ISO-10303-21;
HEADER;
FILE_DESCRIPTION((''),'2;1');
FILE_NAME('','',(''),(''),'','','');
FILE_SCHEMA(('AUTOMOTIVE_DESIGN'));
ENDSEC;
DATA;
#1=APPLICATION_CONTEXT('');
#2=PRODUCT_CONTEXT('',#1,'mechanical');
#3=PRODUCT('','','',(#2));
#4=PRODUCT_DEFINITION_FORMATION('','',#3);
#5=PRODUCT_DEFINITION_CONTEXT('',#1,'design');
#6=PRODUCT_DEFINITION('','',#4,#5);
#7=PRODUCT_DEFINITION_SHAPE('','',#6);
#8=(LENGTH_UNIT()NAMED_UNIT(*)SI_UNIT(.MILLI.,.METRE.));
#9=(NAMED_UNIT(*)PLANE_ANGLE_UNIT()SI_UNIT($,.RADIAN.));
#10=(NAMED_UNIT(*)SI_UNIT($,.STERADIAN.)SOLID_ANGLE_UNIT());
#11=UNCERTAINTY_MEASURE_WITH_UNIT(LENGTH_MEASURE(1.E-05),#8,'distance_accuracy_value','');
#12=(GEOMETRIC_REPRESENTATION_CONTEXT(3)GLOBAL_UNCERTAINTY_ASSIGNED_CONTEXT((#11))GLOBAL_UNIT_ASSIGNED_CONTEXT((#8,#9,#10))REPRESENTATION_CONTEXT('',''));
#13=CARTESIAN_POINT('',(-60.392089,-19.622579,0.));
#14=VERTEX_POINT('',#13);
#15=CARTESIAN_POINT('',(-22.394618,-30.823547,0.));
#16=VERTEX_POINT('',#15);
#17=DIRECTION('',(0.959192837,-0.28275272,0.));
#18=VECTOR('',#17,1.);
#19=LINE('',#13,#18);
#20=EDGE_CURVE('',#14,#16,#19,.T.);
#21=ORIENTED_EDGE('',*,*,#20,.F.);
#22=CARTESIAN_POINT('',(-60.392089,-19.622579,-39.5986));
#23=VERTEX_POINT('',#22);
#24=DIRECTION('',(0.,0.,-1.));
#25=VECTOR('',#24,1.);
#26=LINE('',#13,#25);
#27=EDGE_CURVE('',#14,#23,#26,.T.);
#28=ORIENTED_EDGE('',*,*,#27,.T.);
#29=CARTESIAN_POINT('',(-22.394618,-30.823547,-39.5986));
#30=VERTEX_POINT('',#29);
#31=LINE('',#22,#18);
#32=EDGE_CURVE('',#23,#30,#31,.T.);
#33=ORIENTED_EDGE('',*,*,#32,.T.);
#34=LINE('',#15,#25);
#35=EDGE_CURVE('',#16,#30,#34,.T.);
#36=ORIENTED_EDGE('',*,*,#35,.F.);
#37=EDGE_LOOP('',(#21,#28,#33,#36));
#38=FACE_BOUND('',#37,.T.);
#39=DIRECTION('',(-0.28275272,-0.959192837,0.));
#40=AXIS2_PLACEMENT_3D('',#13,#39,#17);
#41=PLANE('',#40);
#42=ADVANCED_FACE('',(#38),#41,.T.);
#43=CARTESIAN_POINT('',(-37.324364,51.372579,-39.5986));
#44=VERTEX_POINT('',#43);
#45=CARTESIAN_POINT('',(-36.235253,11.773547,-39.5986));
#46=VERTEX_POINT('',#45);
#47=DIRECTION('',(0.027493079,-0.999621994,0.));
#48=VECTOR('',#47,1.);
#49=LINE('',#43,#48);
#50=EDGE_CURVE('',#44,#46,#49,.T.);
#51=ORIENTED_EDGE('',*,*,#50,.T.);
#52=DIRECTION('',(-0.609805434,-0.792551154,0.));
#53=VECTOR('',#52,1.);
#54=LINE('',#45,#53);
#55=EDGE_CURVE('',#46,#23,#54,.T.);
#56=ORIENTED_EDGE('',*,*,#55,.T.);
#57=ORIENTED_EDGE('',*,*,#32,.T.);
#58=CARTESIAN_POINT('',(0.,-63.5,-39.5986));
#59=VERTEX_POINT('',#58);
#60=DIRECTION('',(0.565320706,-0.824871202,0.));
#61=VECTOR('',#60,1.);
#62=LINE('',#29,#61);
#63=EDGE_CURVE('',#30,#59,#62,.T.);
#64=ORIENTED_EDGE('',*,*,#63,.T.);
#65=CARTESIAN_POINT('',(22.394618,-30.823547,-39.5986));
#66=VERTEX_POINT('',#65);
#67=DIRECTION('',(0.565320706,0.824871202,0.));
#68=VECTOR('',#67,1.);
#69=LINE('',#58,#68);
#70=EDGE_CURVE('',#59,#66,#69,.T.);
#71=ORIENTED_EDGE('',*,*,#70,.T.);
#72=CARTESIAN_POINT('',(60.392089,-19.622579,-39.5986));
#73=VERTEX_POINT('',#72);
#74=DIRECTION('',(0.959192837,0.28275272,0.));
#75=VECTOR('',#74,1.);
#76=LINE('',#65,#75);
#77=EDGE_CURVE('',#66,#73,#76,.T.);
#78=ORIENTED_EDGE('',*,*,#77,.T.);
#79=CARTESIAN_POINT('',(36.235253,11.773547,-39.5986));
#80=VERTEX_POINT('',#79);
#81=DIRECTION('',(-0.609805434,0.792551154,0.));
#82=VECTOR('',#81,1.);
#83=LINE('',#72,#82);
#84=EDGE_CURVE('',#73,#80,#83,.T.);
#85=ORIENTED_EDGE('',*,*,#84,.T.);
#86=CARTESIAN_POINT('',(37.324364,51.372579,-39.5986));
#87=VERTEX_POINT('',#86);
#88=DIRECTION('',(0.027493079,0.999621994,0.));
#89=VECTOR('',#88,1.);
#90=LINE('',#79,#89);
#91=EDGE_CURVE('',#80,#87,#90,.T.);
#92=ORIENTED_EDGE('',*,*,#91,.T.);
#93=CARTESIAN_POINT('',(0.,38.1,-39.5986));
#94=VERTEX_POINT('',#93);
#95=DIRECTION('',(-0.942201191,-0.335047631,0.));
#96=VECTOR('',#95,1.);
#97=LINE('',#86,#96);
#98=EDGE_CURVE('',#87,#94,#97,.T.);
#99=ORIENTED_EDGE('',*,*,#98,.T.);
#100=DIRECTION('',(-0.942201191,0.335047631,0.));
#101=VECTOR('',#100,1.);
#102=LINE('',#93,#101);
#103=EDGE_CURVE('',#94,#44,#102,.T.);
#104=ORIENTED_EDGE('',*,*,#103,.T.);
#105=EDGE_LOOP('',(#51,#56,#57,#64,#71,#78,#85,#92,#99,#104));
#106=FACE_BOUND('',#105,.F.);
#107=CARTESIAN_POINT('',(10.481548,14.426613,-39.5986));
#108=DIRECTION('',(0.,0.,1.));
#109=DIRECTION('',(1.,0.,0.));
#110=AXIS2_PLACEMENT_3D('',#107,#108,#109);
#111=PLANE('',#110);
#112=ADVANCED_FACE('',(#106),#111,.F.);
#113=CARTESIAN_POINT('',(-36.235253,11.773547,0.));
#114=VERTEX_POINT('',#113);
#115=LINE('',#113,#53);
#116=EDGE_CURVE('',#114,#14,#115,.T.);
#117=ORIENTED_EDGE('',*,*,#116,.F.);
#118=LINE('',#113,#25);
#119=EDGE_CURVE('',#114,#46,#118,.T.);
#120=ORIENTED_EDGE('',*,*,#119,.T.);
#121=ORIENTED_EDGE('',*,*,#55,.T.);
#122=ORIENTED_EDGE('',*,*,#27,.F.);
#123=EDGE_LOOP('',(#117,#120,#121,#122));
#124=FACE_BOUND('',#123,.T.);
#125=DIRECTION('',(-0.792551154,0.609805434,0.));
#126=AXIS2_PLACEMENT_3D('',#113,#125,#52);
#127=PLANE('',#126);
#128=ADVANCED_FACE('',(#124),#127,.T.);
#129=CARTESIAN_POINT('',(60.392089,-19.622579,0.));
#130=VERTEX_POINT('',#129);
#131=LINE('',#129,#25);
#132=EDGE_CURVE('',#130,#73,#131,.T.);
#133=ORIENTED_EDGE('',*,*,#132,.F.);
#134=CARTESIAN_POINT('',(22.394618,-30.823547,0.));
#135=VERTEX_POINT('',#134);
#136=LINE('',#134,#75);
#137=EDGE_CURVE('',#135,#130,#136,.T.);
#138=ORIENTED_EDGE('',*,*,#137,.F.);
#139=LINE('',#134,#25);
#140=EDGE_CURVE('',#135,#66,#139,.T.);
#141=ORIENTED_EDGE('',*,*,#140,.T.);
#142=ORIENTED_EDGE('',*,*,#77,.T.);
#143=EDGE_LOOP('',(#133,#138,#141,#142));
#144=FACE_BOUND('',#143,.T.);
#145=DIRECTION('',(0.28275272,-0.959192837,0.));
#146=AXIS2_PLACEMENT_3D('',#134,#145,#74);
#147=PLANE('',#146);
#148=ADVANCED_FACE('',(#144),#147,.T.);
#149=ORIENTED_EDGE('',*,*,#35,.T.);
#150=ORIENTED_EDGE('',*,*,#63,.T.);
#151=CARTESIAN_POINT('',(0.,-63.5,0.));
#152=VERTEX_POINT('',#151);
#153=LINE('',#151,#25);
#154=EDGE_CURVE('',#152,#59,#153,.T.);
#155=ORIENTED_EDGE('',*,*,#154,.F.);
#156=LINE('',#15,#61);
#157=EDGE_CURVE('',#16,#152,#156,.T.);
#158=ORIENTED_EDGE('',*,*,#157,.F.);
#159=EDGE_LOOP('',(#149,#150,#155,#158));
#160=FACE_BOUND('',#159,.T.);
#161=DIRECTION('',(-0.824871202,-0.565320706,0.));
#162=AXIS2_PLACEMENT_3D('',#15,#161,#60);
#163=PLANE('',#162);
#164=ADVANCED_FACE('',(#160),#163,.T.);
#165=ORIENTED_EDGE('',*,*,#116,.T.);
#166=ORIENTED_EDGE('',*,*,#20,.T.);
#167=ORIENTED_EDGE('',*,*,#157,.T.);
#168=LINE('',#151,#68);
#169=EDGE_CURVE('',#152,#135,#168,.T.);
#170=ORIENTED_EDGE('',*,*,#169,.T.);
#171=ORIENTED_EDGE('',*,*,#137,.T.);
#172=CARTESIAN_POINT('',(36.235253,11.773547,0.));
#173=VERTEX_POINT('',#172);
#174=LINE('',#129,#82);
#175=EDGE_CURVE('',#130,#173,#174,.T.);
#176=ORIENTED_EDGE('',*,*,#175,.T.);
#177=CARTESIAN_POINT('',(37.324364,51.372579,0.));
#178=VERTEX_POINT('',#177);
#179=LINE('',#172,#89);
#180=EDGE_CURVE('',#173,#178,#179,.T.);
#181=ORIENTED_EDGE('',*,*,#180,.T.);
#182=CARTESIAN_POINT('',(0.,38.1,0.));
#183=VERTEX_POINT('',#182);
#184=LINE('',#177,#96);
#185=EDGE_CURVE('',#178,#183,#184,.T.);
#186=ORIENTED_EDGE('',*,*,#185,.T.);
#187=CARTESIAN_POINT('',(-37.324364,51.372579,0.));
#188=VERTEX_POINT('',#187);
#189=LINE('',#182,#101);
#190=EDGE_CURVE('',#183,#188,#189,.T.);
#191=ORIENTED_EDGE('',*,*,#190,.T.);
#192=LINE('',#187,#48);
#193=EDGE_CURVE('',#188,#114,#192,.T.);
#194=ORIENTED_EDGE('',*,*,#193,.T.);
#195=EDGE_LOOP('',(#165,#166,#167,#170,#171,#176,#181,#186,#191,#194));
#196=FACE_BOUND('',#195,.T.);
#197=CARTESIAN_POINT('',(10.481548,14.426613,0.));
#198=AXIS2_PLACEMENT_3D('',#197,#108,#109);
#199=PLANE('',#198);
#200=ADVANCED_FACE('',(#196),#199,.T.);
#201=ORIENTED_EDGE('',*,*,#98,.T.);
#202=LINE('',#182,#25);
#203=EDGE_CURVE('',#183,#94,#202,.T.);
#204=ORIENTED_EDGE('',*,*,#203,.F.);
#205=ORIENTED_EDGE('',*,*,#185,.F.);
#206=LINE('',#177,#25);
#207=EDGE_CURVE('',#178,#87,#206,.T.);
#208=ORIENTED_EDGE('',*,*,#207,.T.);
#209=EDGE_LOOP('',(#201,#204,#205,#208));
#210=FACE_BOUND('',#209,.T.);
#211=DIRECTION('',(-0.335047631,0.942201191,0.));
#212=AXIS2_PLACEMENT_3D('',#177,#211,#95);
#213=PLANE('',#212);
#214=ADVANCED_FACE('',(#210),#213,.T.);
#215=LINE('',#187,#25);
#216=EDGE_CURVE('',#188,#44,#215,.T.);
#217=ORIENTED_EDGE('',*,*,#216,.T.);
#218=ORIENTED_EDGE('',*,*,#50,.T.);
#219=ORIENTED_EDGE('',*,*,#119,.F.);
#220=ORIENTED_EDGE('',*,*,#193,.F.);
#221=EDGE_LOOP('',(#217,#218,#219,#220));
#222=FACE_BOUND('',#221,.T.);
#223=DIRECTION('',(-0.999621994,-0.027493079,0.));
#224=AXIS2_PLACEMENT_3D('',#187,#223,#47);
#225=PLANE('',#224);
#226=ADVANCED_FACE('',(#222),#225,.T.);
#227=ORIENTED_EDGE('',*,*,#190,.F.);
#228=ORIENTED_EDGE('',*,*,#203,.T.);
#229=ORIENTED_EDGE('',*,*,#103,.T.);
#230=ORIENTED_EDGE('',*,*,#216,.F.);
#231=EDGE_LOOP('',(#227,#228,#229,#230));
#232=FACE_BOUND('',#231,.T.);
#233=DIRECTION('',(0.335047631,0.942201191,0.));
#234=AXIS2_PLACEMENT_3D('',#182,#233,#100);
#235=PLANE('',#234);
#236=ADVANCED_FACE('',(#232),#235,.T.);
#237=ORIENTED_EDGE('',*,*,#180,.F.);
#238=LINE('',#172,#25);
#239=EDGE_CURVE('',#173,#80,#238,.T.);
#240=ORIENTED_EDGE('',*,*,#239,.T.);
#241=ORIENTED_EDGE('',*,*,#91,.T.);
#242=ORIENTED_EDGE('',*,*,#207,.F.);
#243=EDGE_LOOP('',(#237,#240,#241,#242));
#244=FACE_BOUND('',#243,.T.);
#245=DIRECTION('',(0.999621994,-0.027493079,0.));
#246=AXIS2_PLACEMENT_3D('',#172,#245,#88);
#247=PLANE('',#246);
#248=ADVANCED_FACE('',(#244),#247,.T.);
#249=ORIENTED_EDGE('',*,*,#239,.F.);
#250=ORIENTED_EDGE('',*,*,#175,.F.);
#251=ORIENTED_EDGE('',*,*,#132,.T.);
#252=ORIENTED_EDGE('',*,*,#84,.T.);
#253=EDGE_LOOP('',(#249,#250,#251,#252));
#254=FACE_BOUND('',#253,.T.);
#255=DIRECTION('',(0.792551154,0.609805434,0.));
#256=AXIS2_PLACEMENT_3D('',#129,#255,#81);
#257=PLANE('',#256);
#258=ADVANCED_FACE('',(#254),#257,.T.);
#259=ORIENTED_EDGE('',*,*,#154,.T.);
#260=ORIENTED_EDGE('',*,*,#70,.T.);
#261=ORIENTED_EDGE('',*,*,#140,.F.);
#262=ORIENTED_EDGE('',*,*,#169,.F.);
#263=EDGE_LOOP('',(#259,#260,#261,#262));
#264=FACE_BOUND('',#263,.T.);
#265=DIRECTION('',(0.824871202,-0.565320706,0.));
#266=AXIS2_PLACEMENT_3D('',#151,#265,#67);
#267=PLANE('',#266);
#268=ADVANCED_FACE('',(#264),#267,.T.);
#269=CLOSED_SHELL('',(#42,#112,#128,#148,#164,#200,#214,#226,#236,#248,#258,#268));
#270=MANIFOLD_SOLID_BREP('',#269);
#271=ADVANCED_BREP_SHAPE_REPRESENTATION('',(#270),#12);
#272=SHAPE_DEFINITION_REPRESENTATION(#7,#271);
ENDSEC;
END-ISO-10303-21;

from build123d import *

# Parameters (mm, degrees)
F1_DEPTH = 39.5986


with BuildPart() as f1:
    # F0 (on Top) → F1 (new body)
    with BuildSketch(Plane.XY):
        Polygon((36.235253, 11.773547), (37.324364, 51.372579), (0, 38.1), (-37.324364, 51.372579), (-36.235253, 11.773547), (0, 0), (22.394618, -30.823547), (60.392089, -19.622579), align=None)
        Polygon((-22.394618, -30.823547), (0, -63.5), (22.394618, -30.823547), (0, 0), (-36.235253, 11.773547), (-60.392089, -19.622579), align=None)
    extrude(amount=-F1_DEPTH)


solid = f1.part
